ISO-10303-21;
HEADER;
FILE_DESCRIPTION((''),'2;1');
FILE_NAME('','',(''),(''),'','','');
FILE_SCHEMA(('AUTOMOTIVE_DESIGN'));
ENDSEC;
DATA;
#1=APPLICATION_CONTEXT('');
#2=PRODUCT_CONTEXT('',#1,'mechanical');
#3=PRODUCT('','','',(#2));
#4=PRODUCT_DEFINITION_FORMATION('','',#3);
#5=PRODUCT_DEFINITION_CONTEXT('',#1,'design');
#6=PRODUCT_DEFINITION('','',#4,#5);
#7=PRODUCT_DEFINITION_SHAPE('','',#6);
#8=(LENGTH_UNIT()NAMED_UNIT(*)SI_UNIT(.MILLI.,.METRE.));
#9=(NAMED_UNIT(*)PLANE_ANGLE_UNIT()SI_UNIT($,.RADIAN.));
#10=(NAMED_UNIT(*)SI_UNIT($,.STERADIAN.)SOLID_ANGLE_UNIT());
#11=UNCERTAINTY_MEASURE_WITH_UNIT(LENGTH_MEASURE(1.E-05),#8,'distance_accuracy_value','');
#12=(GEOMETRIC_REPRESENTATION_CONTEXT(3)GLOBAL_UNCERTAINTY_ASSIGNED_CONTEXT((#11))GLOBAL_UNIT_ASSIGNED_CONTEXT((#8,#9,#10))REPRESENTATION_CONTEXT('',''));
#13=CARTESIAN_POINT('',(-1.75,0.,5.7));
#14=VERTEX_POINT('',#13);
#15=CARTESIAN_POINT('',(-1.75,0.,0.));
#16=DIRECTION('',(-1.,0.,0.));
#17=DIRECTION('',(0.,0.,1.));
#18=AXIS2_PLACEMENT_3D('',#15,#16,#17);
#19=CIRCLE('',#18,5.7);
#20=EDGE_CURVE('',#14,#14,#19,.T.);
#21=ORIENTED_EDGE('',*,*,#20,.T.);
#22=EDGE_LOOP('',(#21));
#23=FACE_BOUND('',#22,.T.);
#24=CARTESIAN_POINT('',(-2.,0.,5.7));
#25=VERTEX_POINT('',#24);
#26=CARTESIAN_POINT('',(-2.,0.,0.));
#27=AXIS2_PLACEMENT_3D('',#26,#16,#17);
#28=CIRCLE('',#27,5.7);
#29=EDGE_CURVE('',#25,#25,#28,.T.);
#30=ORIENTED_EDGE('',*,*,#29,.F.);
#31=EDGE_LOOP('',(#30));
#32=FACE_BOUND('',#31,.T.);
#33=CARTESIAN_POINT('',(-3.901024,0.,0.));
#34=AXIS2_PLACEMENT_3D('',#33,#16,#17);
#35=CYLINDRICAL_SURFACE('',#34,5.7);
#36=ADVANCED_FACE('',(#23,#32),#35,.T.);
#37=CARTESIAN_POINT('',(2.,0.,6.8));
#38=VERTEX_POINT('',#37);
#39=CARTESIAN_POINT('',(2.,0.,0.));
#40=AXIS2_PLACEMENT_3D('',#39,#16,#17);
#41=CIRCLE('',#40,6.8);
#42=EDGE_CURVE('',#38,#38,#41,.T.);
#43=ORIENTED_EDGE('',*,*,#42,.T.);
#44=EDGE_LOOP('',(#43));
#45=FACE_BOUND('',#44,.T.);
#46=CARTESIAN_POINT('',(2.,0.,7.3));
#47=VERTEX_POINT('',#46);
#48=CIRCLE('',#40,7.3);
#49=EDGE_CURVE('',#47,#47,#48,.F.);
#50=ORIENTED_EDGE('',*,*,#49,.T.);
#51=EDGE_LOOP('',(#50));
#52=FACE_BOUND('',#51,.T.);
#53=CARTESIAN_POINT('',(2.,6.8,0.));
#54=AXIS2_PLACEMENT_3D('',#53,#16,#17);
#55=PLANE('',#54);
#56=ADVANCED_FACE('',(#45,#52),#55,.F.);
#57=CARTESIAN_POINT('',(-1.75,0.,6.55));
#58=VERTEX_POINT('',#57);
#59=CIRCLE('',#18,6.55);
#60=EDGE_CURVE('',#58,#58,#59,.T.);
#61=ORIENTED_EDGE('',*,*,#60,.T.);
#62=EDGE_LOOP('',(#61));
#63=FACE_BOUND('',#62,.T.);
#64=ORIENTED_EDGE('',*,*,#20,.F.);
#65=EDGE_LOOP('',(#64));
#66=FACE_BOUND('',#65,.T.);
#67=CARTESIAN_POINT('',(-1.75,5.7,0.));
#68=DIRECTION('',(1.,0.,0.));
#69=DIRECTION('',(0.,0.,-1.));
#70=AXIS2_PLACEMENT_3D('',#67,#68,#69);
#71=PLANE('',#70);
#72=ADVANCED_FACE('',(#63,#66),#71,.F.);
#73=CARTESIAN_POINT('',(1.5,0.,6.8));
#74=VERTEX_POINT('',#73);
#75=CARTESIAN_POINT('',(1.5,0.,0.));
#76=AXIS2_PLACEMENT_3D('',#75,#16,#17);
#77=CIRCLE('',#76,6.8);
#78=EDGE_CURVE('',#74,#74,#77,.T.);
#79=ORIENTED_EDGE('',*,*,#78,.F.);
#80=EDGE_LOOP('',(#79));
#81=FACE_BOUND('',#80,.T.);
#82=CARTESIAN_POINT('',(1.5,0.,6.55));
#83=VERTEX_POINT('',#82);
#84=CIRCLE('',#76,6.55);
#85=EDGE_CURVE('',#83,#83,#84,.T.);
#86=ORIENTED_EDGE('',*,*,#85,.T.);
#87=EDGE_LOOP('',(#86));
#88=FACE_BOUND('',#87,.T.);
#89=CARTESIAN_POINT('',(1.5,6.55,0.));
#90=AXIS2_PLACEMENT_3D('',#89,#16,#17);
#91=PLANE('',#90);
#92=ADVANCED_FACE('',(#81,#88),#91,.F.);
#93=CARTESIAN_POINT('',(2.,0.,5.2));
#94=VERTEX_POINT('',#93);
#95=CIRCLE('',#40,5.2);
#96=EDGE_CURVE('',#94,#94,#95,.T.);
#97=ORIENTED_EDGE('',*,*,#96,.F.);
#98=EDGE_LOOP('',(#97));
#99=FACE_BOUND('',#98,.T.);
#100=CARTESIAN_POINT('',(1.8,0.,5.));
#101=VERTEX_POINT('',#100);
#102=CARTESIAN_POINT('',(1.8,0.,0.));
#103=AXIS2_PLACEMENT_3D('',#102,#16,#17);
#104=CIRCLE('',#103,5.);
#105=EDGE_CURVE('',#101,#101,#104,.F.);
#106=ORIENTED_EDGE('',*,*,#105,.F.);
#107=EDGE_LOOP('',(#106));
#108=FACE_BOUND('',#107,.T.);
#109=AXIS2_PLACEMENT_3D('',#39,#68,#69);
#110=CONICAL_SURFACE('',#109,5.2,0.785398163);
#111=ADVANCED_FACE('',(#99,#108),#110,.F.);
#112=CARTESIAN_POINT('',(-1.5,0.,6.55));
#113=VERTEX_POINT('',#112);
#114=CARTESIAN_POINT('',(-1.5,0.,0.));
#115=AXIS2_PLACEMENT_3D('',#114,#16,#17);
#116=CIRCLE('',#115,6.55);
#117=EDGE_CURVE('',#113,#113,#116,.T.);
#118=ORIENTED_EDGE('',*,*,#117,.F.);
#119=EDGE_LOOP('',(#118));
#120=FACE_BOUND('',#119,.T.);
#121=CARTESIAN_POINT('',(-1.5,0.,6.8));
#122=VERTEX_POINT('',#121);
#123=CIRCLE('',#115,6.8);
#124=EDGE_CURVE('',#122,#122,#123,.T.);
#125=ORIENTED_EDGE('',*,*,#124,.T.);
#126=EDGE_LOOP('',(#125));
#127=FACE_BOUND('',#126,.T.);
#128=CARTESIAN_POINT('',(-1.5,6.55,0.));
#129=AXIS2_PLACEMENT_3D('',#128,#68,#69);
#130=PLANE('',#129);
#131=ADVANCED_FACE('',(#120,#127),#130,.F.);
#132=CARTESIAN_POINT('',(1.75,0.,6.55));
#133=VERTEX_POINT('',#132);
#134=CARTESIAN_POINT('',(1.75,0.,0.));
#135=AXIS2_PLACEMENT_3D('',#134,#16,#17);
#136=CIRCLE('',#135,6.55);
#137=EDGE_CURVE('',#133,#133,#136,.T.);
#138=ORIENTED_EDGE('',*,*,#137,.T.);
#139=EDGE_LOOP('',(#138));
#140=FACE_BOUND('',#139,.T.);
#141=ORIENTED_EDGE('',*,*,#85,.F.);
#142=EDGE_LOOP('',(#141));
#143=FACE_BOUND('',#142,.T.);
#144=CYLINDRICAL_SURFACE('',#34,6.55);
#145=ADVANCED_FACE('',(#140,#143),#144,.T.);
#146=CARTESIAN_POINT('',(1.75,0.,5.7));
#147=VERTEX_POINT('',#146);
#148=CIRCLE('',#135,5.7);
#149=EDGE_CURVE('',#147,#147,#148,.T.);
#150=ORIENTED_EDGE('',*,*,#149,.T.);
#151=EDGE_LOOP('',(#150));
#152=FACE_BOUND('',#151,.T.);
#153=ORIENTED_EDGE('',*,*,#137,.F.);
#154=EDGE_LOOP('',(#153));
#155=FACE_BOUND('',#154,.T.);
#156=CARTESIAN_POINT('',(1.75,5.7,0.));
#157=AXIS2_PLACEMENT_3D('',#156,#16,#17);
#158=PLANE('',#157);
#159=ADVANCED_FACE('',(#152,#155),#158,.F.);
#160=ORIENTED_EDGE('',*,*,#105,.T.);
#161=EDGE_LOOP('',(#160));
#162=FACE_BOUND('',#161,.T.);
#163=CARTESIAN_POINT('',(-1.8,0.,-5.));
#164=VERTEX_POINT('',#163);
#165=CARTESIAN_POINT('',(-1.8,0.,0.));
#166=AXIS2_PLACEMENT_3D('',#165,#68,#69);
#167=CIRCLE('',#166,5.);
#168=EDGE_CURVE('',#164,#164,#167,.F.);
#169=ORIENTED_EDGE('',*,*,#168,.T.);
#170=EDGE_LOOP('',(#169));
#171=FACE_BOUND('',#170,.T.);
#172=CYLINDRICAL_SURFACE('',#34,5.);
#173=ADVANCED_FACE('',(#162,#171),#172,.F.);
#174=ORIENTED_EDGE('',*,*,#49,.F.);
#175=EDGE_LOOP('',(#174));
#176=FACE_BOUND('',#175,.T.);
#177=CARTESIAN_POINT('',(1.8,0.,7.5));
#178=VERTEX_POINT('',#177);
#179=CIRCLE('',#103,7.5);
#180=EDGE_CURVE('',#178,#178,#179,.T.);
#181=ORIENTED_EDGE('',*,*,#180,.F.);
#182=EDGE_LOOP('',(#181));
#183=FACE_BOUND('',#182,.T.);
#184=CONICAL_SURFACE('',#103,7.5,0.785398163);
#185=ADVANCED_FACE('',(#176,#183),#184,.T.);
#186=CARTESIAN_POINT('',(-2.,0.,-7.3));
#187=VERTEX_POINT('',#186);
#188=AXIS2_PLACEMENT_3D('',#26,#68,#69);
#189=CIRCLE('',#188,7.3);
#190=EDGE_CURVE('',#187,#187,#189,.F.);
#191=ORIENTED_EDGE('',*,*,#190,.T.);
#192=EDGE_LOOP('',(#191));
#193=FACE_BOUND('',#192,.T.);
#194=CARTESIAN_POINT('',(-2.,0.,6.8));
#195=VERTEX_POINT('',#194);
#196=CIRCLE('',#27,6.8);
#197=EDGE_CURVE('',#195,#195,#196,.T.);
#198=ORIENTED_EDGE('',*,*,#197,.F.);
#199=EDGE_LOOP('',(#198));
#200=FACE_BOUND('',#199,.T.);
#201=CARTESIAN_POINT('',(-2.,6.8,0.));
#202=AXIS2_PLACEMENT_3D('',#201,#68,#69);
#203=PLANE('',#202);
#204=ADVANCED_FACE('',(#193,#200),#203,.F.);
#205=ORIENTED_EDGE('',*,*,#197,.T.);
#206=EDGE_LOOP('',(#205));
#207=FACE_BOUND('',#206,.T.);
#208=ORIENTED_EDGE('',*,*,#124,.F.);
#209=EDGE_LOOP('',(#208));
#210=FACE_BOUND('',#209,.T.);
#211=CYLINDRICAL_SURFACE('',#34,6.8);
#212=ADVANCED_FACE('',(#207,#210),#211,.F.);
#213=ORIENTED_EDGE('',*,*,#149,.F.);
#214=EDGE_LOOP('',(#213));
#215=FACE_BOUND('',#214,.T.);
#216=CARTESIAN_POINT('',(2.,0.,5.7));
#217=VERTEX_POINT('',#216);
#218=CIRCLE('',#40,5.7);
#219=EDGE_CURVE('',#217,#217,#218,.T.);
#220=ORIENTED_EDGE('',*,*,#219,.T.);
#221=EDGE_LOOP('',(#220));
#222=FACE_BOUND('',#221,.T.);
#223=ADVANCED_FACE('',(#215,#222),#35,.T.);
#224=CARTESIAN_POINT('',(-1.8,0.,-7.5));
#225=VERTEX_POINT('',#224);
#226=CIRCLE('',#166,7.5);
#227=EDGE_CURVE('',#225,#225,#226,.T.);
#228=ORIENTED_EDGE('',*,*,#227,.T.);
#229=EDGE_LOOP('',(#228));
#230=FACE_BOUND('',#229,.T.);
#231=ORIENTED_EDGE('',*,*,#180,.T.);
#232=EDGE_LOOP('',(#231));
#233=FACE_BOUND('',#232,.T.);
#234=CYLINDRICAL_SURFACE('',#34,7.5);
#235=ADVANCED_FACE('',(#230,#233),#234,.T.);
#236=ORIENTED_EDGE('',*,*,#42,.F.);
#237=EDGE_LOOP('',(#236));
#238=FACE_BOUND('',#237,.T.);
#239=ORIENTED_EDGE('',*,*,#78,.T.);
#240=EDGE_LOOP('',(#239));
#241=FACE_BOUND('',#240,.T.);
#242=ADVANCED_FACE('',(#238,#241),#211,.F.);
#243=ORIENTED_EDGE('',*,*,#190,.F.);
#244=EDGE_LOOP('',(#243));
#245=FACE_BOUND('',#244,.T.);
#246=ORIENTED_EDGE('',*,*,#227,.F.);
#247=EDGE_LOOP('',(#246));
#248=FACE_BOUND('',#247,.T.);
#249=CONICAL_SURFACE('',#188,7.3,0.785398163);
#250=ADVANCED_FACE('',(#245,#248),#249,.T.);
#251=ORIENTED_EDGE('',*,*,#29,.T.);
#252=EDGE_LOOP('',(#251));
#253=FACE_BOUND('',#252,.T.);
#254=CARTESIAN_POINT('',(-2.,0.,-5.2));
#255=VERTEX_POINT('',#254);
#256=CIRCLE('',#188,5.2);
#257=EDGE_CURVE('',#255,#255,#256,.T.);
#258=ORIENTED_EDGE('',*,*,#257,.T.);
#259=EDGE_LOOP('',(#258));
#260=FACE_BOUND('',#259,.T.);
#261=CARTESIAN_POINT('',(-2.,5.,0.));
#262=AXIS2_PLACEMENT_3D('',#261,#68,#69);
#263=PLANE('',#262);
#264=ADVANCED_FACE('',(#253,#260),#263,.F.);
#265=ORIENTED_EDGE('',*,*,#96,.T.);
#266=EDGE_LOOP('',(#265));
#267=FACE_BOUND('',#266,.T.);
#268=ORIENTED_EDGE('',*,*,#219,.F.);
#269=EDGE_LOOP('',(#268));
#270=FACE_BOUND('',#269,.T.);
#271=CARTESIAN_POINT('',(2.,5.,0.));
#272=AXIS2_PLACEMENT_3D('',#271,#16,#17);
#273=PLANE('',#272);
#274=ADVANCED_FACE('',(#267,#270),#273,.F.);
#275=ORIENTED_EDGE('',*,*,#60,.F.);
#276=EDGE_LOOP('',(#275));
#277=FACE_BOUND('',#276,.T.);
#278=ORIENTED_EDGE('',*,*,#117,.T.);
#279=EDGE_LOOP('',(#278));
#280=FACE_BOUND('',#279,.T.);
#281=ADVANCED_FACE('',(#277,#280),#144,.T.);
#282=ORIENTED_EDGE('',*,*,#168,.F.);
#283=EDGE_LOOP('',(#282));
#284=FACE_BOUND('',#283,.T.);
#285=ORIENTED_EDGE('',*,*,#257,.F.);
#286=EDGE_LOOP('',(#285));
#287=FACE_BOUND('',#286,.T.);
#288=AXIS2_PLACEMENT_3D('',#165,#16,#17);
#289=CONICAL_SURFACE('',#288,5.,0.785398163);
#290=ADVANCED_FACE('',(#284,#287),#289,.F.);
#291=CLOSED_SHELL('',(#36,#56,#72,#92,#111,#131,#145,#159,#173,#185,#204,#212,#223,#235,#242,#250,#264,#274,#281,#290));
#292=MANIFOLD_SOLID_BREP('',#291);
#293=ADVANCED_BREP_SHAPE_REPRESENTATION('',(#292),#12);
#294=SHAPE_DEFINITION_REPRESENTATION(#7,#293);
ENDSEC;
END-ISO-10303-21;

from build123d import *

# Parameters (mm, degrees)
CHAMFER_1_SIZE = 0.2


with BuildPart() as part:
    # 草图1 → 旋转1 (revolve)
    with BuildSketch(Plane.XY, mode=Mode.PRIVATE) as revolve_1_sk:
        Polygon((-2, 5), (2, 5), (2, 5.7), (1.75, 5.7), (1.75, 6.55), (1.5, 6.55), (1.5, 6.8), (2, 6.8), (2, 7.5), (-2, 7.5), (-2, 6.8), (-1.5, 6.8), (-1.5, 6.55), (-1.75, 6.55), (-1.75, 5.7), (-2, 5.7), align=None)
    revolve(revolve_1_sk.sketch.rotate(Axis((-3.90102381, 0, 0), (1, 0, 0)), 90), axis=Axis((-3.90102381, 0, 0), (1, 0, 0)))

    # 倒角1
    chamfer_1_edges = [part.edges().sort_by_distance(p)[0] for p in [
        (-2, 0, -7.5),
        (2, 0, -7.5),
        (2, 0, -5),
        (-2, 0, -5),
    ]]
    chamfer(chamfer_1_edges, length=CHAMFER_1_SIZE)


solid = part.part
